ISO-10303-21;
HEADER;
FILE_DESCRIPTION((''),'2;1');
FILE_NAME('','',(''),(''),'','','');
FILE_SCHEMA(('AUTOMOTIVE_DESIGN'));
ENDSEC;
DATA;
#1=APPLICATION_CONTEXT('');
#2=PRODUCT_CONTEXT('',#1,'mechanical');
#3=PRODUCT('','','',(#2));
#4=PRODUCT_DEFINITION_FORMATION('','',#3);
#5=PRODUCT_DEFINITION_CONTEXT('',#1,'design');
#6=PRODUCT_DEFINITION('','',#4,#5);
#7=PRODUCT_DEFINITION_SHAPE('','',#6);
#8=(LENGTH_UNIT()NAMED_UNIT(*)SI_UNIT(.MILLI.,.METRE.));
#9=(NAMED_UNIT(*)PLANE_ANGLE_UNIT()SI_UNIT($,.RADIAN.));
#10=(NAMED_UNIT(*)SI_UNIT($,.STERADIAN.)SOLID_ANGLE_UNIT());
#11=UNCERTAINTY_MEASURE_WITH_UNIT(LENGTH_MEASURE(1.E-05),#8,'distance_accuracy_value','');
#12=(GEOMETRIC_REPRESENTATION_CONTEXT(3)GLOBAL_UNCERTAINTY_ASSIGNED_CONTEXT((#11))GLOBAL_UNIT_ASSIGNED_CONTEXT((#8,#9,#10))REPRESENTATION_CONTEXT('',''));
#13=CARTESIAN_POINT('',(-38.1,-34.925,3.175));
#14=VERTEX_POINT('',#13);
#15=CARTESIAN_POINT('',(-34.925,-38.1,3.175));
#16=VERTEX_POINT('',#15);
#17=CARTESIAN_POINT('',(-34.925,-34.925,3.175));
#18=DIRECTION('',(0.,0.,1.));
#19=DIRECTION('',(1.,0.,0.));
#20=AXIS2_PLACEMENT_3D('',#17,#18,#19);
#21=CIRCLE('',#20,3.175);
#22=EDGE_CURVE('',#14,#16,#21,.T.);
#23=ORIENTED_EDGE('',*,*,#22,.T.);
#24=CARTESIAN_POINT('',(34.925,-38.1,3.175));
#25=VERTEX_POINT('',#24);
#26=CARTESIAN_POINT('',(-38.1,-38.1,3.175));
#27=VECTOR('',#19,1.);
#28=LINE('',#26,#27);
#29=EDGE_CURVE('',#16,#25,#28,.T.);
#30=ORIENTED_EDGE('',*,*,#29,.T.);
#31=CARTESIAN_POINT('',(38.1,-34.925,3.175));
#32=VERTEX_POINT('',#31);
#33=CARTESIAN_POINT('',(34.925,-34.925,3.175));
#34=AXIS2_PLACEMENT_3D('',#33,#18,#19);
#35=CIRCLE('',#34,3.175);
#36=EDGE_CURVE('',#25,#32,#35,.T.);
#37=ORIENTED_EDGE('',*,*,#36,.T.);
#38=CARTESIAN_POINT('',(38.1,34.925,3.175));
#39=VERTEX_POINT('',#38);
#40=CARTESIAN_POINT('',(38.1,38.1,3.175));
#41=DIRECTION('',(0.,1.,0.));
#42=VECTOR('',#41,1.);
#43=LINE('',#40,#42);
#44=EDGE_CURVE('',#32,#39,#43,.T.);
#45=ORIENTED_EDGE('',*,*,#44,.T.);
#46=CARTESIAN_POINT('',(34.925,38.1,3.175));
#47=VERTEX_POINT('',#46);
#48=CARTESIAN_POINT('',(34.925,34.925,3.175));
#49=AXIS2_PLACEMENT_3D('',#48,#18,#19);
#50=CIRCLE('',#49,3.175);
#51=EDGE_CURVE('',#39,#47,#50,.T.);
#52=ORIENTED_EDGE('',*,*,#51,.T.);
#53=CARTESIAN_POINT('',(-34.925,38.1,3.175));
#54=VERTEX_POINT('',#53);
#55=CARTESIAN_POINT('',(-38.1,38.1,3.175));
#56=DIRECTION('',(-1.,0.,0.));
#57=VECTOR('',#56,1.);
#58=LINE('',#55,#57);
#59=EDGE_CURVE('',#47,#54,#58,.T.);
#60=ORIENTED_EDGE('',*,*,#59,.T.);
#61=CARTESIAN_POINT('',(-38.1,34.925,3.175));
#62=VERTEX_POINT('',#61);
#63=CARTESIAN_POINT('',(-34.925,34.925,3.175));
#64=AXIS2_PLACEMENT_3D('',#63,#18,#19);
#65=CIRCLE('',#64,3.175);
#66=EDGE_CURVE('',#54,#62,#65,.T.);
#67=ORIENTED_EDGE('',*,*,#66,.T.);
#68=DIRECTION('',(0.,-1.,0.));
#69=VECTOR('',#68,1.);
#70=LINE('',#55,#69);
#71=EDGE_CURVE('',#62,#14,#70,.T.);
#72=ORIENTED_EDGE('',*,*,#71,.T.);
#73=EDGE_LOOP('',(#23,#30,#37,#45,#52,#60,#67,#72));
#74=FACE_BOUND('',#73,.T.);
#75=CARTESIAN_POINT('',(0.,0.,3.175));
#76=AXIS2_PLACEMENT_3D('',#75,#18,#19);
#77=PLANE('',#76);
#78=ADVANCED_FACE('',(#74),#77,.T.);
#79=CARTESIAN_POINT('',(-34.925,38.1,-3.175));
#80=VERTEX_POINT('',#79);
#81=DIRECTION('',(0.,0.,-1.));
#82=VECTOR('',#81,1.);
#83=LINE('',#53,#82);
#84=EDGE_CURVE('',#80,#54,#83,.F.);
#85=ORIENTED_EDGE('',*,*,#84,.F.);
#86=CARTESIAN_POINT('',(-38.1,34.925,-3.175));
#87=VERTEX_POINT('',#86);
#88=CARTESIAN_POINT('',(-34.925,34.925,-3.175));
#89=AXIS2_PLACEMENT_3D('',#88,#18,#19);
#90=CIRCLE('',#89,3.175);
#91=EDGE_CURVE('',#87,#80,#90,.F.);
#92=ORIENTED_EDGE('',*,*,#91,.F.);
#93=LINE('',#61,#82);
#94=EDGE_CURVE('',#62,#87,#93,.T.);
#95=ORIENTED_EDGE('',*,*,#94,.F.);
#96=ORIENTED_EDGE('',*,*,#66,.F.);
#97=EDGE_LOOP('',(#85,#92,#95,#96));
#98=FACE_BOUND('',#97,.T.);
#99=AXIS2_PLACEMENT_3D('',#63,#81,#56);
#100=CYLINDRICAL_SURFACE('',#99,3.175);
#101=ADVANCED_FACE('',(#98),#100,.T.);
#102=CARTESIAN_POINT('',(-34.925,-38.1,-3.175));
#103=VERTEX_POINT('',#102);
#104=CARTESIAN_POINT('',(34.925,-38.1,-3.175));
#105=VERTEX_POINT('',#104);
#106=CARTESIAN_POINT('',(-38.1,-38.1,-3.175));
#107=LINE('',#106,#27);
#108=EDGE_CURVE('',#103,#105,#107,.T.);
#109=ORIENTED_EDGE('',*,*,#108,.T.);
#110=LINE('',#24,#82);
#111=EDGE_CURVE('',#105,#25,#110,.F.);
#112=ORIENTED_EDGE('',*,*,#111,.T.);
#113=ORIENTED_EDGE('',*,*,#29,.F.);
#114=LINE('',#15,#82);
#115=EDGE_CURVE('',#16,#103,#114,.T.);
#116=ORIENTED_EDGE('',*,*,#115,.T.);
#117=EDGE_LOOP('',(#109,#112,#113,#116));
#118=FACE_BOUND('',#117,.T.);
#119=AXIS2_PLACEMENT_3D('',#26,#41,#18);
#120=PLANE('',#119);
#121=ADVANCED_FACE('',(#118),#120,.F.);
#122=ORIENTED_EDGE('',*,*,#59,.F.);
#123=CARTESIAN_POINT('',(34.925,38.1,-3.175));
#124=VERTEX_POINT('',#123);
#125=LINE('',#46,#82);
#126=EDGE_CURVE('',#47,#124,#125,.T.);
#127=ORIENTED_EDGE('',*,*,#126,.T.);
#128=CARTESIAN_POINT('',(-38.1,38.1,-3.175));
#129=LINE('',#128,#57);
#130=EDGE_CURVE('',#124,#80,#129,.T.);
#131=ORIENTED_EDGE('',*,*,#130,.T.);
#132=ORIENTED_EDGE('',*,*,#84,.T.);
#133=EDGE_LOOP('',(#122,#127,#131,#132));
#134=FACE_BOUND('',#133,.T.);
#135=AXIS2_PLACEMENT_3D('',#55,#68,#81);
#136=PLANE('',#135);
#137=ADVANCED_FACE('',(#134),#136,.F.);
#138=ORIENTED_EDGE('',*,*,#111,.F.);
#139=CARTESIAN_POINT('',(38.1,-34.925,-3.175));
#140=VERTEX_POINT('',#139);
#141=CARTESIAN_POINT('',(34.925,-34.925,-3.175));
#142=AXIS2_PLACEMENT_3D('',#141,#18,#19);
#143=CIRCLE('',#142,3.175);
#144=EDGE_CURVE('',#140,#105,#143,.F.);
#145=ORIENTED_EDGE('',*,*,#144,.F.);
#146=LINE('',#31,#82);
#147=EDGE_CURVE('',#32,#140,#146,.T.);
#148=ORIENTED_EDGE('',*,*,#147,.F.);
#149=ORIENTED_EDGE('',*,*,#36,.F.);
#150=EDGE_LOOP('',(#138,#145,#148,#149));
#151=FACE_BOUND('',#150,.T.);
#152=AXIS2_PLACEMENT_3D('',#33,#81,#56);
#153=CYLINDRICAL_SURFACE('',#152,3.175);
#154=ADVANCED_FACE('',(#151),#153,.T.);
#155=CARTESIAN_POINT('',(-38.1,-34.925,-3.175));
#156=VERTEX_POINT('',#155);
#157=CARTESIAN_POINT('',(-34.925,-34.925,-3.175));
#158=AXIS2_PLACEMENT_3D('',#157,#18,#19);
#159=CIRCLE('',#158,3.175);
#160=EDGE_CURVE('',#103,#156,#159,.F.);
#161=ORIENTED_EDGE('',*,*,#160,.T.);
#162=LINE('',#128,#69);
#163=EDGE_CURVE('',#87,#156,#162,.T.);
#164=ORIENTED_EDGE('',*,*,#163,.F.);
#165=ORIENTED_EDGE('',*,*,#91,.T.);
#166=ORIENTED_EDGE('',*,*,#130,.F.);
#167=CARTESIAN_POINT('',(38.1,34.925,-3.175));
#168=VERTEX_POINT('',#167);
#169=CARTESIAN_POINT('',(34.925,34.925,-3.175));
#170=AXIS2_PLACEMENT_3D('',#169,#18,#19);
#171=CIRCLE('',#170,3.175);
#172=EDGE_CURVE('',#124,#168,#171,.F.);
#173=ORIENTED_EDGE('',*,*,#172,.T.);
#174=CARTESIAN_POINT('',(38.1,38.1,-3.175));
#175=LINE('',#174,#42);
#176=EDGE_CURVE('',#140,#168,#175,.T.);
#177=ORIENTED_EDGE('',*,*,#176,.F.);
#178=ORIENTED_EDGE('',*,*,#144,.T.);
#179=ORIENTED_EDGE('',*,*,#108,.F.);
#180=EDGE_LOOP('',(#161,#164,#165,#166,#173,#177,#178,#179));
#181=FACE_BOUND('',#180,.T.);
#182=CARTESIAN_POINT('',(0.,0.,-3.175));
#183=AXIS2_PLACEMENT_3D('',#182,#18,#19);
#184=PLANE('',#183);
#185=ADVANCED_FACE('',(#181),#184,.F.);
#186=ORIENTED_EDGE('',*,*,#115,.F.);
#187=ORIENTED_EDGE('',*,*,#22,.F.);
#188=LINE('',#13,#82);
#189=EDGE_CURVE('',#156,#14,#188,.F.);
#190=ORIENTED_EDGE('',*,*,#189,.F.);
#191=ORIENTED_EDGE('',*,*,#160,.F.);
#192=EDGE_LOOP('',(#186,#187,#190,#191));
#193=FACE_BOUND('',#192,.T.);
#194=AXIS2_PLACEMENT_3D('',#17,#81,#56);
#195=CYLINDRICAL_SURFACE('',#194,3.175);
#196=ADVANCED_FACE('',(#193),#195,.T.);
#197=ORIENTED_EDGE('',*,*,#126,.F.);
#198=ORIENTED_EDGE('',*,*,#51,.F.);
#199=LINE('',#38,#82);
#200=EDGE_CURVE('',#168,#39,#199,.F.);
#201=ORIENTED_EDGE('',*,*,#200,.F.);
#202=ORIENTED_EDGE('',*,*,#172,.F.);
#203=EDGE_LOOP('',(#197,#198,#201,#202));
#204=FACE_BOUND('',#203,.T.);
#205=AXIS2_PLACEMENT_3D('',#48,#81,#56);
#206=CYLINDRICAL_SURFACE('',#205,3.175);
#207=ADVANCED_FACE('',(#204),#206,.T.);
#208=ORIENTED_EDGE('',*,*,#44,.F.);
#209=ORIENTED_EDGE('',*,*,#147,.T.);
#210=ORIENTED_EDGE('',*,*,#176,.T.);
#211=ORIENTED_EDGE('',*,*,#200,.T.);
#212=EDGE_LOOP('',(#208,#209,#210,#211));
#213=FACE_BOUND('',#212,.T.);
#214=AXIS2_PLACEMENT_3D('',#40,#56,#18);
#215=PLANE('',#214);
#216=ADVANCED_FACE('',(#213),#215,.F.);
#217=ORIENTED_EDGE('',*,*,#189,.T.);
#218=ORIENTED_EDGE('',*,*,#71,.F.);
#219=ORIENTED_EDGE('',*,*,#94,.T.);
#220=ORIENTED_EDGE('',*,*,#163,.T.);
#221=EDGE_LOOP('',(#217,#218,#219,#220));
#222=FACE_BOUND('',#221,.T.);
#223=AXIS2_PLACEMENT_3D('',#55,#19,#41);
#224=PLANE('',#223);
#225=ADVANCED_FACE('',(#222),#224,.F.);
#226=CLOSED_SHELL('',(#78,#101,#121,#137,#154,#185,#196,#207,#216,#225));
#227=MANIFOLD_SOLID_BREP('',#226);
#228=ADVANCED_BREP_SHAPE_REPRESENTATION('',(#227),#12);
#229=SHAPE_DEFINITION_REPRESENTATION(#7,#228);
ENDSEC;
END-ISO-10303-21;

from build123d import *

# Parameters (mm, degrees)
SKETCH1_W           = 76.2
SKETCH1_H           = 76.2
BOSS_EXTRUDE1_DEPTH = 3.175
FILLET1_R           = 3.175


with BuildPart() as part:
    # Sketch1 → Boss-Extrude1 (new body, symmetric)
    with BuildSketch(Plane.XY):
        Rectangle(SKETCH1_W, SKETCH1_H)
    extrude(amount=BOSS_EXTRUDE1_DEPTH, both=True)

    # Fillet1
    fillet1_edges = [part.edges().sort_by_distance(p)[0] for p in [
        (38.1, -38.1, 0),
        (-38.1, -38.1, 0),
        (-38.1, 38.1, 0),
        (38.1, 38.1, 0),
    ]]
    fillet(fillet1_edges, radius=FILLET1_R)


solid = part.part
